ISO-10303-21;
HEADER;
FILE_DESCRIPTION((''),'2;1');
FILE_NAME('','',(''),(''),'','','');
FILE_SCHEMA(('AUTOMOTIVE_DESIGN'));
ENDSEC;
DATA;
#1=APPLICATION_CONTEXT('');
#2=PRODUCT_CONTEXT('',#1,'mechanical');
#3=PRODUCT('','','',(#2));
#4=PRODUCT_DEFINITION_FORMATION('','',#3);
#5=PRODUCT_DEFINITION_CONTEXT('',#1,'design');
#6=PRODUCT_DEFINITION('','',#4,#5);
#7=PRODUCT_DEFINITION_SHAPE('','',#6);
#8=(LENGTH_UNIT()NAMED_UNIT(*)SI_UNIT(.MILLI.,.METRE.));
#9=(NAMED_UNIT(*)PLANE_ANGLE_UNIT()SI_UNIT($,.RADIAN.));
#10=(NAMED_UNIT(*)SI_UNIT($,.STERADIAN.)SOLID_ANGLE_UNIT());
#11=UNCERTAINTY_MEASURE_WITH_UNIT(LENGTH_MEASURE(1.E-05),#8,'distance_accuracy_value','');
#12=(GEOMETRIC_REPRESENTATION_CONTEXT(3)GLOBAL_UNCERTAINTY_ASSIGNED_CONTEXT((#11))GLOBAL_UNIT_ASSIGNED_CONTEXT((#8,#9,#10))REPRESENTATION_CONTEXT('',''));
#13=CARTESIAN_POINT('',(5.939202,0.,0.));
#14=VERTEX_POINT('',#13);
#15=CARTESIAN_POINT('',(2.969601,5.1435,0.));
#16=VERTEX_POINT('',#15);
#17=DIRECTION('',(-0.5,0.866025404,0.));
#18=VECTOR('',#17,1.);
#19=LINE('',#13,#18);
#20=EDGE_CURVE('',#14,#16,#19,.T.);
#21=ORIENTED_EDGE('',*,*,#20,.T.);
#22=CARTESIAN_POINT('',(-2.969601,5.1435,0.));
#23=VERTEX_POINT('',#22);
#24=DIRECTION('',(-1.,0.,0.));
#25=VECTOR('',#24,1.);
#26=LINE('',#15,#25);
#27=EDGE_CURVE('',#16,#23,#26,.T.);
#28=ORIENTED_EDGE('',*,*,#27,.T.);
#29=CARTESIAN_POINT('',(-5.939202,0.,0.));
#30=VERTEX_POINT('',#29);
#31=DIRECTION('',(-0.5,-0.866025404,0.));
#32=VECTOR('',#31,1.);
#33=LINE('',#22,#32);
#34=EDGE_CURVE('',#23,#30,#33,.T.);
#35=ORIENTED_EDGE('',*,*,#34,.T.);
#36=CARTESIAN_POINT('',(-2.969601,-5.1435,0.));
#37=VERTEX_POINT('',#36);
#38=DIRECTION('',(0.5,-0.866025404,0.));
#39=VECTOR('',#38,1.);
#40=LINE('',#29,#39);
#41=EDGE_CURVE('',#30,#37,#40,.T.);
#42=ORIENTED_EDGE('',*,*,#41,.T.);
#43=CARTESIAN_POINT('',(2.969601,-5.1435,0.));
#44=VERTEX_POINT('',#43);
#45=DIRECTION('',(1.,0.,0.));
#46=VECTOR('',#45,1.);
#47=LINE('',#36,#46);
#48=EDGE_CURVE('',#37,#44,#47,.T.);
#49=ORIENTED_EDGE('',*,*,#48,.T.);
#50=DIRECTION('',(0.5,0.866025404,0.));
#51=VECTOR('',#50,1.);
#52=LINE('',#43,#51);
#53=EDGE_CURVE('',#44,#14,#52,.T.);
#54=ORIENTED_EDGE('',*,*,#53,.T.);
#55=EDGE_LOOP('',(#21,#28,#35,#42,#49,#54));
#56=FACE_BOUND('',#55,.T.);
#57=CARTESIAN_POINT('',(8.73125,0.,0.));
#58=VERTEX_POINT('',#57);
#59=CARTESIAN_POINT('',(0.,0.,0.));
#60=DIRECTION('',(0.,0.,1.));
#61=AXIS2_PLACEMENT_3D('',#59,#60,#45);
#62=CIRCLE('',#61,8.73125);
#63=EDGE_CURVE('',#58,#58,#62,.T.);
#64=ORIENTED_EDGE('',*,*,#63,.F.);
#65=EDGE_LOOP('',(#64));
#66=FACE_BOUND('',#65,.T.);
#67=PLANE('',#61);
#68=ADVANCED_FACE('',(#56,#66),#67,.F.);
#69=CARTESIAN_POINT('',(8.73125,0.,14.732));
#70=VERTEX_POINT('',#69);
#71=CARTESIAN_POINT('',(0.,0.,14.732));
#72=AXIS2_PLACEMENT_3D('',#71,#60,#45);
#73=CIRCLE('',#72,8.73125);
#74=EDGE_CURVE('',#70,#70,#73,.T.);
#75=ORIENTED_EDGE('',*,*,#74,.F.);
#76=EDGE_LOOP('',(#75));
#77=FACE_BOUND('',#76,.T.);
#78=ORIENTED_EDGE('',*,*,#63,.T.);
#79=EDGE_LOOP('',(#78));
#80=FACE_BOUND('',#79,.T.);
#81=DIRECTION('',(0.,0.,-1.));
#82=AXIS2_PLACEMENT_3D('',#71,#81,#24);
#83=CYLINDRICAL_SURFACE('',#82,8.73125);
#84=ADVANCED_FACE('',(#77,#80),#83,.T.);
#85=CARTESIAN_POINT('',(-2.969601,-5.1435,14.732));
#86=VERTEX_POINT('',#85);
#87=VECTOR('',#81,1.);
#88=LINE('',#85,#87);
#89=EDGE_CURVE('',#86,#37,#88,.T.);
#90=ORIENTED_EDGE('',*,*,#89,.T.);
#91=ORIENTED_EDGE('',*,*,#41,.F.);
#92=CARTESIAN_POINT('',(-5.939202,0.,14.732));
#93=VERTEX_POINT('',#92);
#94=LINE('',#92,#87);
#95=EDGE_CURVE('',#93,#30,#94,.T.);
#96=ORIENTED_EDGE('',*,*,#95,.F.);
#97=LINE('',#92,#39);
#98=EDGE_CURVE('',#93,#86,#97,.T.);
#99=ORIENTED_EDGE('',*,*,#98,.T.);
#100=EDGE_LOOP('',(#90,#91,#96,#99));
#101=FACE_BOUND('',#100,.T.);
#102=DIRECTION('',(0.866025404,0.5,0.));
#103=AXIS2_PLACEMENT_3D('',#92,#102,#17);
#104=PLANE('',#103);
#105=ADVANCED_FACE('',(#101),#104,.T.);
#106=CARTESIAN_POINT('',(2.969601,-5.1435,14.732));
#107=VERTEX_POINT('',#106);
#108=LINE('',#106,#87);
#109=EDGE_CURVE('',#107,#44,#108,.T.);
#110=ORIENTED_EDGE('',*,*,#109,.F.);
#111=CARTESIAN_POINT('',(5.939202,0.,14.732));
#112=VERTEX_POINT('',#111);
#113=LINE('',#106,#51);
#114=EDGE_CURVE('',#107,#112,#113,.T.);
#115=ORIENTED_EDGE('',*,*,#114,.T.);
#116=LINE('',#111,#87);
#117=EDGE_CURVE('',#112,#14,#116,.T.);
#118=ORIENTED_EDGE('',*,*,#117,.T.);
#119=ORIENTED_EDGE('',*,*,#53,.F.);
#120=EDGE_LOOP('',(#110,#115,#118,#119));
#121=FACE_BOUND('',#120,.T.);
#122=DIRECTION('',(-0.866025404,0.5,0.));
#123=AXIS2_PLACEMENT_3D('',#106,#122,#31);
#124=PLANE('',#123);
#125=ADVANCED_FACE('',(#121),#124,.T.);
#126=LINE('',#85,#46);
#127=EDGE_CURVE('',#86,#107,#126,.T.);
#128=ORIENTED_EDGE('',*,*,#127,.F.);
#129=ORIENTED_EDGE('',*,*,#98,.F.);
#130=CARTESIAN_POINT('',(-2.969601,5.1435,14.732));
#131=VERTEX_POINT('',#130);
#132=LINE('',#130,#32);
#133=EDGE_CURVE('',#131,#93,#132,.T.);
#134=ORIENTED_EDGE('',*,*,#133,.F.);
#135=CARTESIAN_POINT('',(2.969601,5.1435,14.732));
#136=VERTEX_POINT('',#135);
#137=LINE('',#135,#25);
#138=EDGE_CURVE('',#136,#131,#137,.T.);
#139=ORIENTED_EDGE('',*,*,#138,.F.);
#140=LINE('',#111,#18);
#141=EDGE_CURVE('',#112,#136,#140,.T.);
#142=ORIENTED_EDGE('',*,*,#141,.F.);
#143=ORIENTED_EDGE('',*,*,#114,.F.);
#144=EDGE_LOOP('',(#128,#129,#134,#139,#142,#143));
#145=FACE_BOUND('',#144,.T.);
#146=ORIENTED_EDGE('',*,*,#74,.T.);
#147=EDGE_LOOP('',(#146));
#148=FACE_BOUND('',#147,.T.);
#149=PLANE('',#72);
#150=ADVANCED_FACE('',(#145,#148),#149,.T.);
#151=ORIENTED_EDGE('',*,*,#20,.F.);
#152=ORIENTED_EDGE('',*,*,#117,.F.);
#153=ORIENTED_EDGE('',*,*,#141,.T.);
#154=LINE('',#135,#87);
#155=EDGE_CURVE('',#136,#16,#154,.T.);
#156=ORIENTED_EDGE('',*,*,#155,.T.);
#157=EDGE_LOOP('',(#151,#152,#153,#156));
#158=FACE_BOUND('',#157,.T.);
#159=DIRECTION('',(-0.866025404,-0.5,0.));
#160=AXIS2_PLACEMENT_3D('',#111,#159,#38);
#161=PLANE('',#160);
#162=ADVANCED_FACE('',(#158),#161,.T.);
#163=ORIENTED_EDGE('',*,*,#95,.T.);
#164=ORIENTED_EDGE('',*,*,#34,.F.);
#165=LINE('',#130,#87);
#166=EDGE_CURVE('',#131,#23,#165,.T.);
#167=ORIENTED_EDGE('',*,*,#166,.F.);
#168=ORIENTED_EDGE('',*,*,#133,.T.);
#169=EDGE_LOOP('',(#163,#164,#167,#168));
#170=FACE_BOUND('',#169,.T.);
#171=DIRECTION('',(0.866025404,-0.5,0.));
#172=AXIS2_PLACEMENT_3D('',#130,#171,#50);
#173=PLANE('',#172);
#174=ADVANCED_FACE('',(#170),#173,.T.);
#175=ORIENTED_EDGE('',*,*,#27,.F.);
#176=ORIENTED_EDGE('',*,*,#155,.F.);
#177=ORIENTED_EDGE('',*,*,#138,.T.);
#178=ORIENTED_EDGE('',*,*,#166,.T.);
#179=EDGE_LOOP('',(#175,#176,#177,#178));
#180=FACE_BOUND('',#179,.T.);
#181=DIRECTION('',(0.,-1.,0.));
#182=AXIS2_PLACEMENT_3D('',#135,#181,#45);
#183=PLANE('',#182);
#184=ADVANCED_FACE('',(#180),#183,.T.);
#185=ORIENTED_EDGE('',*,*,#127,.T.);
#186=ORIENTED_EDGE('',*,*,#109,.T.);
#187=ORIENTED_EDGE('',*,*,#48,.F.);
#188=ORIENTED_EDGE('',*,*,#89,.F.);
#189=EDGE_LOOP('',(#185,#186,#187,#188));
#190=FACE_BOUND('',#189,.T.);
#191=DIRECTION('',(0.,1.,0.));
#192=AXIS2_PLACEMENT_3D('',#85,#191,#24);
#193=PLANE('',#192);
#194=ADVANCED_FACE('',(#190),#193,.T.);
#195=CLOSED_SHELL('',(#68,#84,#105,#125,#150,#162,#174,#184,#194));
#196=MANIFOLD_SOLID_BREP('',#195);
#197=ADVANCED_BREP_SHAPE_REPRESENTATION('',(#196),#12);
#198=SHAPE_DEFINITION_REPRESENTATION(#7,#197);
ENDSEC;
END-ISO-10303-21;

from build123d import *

# Parameters (mm, degrees)
SKETCH1_R           = 8.73125
BOSS_EXTRUDE1_DEPTH = 14.732


with BuildPart() as part:
    # Sketch1 → Boss-Extrude1 (new body)
    with BuildSketch(Plane.XY):
        Circle(SKETCH1_R)
        Polygon((5.939202219, 0), (2.96960111, 5.1435), (-2.96960111, 5.1435), (-5.939202219, 0), (-2.96960111, -5.1435), (2.96960111, -5.1435), align=None, mode=Mode.SUBTRACT)
    extrude(amount=BOSS_EXTRUDE1_DEPTH)


solid = part.part
